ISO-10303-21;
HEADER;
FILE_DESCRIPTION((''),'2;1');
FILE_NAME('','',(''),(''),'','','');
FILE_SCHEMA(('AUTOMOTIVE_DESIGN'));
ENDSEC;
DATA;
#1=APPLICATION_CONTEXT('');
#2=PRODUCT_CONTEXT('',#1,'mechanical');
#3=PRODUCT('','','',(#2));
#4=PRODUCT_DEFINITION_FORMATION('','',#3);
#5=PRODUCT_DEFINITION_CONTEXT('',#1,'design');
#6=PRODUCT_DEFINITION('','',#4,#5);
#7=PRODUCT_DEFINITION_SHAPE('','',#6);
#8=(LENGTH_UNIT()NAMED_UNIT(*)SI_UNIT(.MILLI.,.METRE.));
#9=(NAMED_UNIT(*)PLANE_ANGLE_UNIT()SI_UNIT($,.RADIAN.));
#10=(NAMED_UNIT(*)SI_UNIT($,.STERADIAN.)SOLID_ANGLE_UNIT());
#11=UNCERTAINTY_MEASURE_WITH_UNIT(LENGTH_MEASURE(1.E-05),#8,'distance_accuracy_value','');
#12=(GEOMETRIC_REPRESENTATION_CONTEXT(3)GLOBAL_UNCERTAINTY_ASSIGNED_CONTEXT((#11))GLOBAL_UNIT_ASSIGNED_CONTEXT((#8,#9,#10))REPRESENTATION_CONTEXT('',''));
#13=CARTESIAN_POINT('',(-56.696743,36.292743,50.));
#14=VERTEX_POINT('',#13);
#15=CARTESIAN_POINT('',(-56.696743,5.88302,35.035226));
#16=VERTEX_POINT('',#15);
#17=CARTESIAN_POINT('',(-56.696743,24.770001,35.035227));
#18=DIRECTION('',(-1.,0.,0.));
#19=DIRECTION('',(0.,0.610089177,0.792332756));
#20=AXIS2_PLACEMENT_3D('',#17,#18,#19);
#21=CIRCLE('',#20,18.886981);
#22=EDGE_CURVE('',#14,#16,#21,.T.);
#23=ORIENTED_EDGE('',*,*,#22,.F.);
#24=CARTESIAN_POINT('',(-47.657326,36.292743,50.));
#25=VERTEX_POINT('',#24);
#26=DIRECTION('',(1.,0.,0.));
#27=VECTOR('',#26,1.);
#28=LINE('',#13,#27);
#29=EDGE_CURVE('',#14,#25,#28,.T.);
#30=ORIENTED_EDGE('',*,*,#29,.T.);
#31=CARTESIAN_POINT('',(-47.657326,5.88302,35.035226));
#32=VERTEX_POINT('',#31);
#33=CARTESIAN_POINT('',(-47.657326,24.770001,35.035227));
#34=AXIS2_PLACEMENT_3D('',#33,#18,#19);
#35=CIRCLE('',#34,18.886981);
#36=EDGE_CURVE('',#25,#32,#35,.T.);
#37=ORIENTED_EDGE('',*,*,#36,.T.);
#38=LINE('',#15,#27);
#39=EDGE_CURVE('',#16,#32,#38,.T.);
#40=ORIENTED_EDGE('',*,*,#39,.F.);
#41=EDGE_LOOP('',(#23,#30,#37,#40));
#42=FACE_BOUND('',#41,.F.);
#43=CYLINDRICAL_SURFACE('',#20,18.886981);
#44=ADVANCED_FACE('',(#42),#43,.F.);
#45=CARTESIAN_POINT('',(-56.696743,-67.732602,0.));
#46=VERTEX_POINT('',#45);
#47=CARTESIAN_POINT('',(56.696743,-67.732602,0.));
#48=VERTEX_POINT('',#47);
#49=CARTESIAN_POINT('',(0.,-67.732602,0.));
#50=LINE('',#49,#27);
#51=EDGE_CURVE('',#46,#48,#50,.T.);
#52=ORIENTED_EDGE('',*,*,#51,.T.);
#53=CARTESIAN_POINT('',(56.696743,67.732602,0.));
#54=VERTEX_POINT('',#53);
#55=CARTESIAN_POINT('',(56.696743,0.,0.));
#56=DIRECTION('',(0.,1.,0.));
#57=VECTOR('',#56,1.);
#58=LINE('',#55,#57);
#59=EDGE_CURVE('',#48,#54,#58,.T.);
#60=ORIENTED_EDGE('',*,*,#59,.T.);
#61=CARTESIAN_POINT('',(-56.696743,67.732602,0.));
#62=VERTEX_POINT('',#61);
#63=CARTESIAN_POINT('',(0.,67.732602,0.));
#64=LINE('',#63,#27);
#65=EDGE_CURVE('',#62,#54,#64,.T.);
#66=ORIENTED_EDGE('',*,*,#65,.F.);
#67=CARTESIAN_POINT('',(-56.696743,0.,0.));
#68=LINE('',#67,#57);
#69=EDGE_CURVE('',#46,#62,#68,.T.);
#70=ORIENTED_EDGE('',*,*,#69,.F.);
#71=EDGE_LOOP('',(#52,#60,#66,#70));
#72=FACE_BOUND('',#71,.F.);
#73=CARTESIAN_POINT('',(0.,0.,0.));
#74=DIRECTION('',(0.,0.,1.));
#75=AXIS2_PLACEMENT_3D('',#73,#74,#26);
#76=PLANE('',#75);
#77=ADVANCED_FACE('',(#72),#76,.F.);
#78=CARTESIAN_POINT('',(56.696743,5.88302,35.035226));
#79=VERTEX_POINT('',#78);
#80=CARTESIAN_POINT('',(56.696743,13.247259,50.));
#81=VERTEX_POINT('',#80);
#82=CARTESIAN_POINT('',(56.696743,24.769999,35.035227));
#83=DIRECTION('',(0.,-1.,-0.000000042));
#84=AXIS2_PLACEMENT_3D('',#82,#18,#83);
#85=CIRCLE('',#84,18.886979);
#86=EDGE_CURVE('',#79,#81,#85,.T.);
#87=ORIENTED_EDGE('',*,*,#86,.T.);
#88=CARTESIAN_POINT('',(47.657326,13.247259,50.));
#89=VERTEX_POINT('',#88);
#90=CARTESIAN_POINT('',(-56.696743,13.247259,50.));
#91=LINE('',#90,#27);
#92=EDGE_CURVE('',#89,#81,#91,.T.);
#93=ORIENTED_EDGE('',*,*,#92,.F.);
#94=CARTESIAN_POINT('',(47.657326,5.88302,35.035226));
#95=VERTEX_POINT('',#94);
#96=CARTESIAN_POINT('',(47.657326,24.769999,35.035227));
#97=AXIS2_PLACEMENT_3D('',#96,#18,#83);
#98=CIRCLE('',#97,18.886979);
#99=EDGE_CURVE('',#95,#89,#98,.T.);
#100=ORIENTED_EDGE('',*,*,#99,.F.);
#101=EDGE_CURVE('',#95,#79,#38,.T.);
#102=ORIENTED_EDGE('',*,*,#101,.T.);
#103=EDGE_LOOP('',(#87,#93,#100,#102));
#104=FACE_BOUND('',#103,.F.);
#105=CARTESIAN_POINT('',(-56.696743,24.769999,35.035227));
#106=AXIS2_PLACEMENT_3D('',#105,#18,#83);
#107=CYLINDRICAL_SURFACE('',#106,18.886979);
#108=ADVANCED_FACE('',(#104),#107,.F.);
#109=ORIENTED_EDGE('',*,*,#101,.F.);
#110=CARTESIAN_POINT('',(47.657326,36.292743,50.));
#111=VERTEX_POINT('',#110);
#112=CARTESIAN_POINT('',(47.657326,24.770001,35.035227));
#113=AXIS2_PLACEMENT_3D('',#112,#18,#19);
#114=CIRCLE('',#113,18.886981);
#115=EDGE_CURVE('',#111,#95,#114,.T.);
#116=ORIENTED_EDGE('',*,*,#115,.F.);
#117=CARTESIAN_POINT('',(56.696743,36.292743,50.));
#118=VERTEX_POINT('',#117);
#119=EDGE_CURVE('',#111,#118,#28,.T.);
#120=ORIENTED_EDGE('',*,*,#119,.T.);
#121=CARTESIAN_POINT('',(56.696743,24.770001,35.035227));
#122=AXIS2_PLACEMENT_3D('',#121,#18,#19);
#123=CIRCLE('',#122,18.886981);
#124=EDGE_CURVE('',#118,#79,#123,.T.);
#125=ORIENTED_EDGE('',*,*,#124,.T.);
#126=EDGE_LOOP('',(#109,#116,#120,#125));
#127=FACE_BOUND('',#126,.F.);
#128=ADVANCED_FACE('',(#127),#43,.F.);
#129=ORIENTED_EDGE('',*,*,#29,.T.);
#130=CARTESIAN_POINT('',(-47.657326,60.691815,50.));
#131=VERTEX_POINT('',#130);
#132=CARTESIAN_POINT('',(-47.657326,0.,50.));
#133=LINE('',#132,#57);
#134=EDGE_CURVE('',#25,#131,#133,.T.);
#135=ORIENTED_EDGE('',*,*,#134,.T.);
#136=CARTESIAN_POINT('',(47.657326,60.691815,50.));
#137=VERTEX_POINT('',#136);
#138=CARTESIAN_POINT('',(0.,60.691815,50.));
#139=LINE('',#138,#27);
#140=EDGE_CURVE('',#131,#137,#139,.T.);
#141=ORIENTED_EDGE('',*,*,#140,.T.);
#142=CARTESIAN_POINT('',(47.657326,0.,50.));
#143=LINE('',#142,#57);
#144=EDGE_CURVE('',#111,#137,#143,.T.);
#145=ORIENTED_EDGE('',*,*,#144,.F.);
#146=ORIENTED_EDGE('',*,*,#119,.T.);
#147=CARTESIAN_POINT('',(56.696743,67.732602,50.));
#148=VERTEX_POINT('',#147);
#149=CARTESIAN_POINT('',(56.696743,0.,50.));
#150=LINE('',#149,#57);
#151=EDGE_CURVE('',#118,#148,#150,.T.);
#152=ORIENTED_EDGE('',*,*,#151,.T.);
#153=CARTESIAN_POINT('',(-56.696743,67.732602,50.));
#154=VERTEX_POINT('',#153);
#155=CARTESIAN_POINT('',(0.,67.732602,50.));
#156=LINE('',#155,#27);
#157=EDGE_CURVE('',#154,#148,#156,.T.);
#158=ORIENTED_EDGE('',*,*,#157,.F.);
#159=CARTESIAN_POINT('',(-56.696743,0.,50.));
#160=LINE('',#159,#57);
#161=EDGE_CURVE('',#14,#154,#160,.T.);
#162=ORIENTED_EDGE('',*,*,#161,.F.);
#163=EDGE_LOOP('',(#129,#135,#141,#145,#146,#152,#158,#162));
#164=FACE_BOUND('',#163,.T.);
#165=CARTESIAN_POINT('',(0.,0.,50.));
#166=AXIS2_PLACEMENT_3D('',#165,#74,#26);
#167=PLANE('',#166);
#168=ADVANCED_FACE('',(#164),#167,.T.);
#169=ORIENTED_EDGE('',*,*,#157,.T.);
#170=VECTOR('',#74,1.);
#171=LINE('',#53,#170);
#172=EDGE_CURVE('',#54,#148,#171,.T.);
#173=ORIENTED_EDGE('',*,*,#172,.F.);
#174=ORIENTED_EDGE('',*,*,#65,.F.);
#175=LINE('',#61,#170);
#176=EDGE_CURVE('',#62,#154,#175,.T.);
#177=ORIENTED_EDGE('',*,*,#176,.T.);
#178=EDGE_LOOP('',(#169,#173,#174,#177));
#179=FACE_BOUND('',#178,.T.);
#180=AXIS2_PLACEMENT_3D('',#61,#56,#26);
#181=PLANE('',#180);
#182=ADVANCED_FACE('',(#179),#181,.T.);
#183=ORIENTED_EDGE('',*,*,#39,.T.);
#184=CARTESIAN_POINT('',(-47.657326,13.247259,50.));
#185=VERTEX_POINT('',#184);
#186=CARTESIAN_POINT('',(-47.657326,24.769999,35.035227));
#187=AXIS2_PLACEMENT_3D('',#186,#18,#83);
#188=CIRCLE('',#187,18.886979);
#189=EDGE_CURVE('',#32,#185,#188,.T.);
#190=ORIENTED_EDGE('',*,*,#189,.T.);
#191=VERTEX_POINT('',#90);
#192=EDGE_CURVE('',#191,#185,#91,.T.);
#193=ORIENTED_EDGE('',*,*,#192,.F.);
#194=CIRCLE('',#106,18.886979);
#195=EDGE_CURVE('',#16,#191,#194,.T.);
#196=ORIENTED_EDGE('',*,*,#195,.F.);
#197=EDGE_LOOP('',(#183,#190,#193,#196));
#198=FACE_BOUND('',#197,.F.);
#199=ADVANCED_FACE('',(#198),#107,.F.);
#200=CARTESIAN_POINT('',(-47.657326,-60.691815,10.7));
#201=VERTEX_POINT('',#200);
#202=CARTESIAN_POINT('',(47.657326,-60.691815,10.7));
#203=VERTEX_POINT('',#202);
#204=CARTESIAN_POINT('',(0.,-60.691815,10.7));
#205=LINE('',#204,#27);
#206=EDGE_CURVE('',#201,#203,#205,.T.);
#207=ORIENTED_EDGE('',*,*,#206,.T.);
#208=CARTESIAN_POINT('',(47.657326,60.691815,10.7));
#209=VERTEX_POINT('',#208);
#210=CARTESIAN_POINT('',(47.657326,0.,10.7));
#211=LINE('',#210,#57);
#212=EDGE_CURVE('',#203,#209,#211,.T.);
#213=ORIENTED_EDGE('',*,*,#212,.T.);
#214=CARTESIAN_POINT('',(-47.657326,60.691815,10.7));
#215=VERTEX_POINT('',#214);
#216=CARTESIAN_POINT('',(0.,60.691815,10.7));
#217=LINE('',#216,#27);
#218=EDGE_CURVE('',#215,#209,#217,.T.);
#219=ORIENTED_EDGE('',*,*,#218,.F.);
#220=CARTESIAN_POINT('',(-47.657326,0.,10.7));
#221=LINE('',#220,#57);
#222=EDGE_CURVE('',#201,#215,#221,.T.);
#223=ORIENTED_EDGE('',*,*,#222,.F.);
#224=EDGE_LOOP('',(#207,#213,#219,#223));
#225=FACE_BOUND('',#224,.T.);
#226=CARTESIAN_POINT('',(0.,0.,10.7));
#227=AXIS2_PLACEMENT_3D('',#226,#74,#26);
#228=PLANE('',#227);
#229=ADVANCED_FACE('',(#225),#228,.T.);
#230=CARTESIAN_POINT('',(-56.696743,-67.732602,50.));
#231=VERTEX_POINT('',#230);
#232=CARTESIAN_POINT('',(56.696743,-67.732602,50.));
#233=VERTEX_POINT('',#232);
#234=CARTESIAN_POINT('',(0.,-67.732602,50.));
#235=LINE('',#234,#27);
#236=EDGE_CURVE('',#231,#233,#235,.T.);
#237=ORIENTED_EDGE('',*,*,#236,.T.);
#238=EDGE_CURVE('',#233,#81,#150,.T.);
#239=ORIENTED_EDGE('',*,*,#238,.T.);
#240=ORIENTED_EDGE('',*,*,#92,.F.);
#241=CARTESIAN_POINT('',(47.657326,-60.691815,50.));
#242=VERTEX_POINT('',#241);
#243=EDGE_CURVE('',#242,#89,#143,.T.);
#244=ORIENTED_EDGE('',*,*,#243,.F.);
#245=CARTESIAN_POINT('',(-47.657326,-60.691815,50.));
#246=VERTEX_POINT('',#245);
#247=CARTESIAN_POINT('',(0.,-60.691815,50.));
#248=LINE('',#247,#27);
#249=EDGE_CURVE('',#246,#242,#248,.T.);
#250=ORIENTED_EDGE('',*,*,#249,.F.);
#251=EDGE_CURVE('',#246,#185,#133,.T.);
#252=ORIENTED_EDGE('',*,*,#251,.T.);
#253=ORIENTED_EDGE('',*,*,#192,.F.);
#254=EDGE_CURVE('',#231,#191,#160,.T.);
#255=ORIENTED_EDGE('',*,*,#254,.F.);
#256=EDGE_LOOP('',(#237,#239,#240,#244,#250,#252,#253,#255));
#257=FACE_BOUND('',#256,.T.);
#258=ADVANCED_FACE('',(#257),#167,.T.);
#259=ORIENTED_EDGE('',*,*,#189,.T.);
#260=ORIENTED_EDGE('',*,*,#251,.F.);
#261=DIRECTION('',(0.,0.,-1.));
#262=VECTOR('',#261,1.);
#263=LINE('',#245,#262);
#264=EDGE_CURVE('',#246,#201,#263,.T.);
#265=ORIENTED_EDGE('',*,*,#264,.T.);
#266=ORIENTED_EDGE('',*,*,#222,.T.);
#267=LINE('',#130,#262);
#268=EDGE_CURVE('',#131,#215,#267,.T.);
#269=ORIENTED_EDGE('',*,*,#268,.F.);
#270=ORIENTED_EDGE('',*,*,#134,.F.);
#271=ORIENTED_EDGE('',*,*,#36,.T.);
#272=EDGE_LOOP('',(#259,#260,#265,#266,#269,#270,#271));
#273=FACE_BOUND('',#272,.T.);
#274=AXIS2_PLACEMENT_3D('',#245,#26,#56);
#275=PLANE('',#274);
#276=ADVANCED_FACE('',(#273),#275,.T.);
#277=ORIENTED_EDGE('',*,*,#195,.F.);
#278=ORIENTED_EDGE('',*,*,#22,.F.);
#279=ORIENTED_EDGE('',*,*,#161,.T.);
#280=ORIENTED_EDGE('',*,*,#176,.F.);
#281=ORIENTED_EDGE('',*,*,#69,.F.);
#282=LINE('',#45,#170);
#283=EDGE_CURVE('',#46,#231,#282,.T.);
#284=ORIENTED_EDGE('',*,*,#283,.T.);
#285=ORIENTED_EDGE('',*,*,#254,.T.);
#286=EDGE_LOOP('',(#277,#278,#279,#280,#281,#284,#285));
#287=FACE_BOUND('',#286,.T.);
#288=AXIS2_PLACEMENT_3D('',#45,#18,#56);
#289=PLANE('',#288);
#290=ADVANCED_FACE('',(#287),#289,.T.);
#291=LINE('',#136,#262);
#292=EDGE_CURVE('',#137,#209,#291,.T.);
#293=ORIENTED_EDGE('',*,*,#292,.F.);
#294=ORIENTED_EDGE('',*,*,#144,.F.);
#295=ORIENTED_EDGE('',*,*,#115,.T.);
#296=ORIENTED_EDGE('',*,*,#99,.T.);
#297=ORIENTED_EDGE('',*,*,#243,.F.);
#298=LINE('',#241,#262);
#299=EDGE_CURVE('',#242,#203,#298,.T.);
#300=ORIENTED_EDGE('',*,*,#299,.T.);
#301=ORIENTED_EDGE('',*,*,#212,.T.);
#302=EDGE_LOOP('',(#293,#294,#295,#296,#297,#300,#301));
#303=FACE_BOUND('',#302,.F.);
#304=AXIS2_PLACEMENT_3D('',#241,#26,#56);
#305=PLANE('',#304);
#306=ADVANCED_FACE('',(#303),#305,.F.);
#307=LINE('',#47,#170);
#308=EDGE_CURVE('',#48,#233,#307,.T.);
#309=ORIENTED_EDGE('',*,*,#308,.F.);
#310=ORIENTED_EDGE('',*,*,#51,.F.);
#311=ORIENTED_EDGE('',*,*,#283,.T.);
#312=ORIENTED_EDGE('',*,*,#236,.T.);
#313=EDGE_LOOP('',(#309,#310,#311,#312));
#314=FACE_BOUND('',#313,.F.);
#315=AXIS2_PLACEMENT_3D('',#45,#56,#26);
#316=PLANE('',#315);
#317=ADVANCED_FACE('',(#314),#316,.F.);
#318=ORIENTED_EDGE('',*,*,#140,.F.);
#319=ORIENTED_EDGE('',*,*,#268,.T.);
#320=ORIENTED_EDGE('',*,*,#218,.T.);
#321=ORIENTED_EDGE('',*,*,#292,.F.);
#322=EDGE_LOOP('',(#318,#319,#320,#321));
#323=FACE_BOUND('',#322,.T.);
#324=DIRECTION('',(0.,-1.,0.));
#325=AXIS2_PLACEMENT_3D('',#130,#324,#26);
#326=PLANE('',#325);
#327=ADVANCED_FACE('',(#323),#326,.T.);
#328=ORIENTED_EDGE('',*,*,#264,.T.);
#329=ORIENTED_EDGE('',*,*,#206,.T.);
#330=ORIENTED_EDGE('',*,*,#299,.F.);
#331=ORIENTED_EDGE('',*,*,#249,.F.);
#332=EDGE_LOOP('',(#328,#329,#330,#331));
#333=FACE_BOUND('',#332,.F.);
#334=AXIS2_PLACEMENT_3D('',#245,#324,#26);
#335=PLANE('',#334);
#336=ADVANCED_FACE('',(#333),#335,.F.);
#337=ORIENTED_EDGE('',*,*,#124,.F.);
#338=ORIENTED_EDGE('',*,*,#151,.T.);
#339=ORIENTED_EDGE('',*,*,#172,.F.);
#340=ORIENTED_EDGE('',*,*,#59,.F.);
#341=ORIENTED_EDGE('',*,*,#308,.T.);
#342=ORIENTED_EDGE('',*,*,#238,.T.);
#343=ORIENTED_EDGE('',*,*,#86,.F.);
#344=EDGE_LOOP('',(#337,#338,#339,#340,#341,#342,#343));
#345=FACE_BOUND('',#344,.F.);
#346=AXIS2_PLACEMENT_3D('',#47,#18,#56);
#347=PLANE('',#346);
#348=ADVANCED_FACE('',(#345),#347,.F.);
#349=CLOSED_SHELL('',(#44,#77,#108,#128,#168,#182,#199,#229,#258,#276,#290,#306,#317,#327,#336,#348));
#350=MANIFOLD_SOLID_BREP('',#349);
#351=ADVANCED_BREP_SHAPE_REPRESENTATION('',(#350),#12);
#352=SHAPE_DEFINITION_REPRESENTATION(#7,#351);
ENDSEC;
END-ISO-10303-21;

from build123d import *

# Parameters (mm, degrees)
F0_W     = 113.393486
F0_H     = 135.465204
F1_DEPTH = 50
F2_W     = 95.314652
F2_H     = 121.38363
F3_DEPTH = 39.3
F5_DEPTH = 200


with BuildPart() as f1:
    # F0 (on Top) → F1 (new body)
    with BuildSketch(Plane.XY):
        Rectangle(F0_W, F0_H)
    extrude(amount=F1_DEPTH)

    # F2 (on face) → F3 (cut)
    with BuildSketch(Plane.XY.offset(50)):
        Rectangle(F2_W, F2_H)
    extrude(amount=-F3_DEPTH, mode=Mode.SUBTRACT)

    # F4 (on face) → F5 (cut)
    with BuildSketch(Plane(origin=(-56.696743, 0, 0), x_dir=(0, -1, 0), z_dir=(-1, 0, 0))):
        with BuildLine():
            ThreePointArc((-36.292743, 50), (-33.109312, 18.08902), (-5.88302, 35.035226))
            ThreePointArc((-5.88302, 35.035226), (-7.823794, 43.374538), (-13.247259, 50))
            Line((-13.247259, 50), (-36.292743, 50))
        make_face()
    extrude(amount=-F5_DEPTH, mode=Mode.SUBTRACT)


solid = f1.part
